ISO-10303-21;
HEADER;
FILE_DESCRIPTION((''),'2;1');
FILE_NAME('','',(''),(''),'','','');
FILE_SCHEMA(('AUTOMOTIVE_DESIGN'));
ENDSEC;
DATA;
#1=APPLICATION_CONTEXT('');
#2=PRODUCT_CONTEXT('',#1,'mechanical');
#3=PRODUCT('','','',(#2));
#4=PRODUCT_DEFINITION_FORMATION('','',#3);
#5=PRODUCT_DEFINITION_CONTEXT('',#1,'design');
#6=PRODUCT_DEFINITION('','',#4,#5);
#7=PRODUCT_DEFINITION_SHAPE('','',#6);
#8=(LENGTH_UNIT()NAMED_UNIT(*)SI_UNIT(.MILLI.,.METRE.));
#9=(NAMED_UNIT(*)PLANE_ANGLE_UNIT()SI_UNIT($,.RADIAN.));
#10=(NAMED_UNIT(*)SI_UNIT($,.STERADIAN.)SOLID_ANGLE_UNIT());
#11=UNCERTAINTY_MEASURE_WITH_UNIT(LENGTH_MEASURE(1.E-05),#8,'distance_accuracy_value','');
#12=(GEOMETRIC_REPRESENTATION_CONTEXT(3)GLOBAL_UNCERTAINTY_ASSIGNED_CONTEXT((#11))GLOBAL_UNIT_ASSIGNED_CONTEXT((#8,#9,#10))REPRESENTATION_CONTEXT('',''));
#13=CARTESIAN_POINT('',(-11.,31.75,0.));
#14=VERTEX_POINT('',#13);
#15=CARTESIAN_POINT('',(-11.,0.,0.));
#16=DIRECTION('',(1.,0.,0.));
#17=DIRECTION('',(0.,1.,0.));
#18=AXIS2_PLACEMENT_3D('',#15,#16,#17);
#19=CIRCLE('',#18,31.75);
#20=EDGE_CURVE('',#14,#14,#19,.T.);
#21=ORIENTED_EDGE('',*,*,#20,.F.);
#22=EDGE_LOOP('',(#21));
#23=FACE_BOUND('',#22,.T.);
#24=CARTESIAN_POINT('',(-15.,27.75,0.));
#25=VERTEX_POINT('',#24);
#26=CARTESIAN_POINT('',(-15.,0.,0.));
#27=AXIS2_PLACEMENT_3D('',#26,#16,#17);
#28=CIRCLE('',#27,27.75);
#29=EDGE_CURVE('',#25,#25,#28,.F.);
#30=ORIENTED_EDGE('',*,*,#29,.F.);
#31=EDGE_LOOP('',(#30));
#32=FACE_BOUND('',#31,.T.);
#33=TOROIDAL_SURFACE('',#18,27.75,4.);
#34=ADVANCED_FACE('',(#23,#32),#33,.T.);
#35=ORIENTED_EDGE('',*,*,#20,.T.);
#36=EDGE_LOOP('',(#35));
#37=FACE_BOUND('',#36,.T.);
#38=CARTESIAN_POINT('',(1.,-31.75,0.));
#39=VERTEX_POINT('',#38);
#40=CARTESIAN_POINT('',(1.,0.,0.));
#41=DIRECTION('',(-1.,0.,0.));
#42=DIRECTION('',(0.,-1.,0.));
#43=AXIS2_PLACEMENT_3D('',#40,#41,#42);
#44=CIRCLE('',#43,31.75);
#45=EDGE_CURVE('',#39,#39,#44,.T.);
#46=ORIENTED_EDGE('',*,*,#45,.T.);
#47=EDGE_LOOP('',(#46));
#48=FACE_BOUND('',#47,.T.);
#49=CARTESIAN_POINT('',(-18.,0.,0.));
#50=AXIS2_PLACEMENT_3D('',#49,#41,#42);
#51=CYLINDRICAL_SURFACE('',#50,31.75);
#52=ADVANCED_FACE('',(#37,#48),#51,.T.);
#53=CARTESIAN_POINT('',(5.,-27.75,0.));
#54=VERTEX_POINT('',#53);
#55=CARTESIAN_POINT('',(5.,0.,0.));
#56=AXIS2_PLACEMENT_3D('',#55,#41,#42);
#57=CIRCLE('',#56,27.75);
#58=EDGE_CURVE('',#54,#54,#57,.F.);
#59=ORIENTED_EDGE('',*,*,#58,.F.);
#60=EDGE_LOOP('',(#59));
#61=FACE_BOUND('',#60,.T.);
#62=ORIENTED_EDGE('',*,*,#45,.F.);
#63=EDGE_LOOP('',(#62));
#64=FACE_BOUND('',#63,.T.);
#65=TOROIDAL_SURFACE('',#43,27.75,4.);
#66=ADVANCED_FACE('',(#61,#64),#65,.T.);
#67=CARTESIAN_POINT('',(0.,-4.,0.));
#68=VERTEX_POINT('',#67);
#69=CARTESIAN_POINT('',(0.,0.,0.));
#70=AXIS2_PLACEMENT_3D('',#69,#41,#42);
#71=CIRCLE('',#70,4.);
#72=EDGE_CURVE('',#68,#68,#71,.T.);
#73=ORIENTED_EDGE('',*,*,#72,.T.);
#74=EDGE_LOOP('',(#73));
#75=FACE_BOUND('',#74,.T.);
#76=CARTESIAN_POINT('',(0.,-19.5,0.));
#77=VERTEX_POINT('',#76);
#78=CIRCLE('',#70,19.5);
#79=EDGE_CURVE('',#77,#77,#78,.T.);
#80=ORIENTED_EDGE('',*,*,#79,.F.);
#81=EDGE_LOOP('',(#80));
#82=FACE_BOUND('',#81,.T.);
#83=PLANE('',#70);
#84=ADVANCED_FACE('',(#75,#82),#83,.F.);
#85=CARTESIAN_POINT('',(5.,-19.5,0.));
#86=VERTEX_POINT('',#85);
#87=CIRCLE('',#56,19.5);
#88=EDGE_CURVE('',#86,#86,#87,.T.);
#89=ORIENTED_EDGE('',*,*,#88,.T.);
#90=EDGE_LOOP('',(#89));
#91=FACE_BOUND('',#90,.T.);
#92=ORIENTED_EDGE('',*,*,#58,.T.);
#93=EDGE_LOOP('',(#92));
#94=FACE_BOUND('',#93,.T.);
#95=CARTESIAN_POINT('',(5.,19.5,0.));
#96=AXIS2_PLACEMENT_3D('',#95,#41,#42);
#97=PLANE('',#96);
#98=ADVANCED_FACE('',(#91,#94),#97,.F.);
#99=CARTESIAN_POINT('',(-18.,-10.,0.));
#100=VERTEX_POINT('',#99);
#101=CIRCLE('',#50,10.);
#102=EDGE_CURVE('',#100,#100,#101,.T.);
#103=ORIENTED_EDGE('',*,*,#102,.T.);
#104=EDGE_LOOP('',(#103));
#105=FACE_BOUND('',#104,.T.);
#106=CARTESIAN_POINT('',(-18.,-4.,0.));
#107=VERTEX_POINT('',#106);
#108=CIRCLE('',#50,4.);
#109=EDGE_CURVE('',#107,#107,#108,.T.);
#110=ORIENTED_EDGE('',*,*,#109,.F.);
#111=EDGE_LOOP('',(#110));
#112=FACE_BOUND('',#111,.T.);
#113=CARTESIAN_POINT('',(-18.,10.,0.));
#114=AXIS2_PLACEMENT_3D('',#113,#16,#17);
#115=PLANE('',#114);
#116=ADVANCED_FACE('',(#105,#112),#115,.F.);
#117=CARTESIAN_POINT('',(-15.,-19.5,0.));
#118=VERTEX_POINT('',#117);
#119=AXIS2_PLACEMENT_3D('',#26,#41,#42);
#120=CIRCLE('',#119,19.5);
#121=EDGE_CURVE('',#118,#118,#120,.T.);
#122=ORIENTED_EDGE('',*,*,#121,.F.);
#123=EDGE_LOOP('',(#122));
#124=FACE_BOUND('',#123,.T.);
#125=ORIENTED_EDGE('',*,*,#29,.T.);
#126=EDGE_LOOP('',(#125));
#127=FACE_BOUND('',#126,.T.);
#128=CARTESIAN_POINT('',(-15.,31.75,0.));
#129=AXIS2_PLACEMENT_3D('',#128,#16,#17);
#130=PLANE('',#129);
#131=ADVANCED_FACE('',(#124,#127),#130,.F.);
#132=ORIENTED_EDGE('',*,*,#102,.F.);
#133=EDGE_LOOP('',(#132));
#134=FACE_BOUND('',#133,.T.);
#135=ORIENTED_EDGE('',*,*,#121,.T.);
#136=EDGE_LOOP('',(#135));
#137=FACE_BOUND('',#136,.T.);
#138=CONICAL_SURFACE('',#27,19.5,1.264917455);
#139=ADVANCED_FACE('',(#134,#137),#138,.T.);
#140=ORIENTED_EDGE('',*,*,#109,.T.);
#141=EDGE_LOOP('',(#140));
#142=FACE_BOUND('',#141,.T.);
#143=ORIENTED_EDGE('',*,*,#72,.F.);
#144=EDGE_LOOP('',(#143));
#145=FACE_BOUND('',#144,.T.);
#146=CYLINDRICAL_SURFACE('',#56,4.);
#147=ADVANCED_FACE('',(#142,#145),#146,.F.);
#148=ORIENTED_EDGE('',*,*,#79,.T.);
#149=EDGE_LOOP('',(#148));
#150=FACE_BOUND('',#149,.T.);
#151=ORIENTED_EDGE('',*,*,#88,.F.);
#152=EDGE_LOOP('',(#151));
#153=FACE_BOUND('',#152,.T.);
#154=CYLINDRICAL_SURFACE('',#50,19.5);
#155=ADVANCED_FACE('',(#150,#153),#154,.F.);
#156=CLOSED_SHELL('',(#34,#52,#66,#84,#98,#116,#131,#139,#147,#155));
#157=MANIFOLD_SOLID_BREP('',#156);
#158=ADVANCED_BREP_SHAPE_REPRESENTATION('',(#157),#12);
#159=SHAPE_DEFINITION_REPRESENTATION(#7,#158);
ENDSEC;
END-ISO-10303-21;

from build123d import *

# Parameters (mm, degrees)
CROQUIS2_R            = 4
CORTAR_EXTRUIR1_DEPTH = 51.449231907
REDONDEO1_R           = 4


with BuildPart() as part:
    # Croquis1 → Revolución1 (revolve)
    with BuildSketch(Plane.XY, mode=Mode.PRIVATE) as revoluci_n1_sk:
        Polygon((0, 0), (0, 19.5), (5, 19.5), (5, 31.75), (-15, 31.75), (-15, 19.5), (-18, 10), (-18, 0), align=None)
    revolve(revoluci_n1_sk.sketch.rotate(Axis((-18, 0, 0), (1, 0, 0)), 180), axis=Axis((-18, 0, 0), (1, 0, 0)))

    # Croquis2 → Cortar-Extruir1 (cut, through all)
    with BuildSketch(Plane.ZY.offset(18)):
        with Locations(Location((0, 0, 0), (0, 0, 270))):
            Circle(CROQUIS2_R)
    extrude(amount=-CORTAR_EXTRUIR1_DEPTH, mode=Mode.SUBTRACT)

    # Redondeo1
    redondeo1_edges = [part.edges().sort_by_distance(p)[0] for p in [
        (-15, 31.75, 0),
        (5, 31.75, 0),
    ]]
    fillet(redondeo1_edges, radius=REDONDEO1_R)


solid = part.part
